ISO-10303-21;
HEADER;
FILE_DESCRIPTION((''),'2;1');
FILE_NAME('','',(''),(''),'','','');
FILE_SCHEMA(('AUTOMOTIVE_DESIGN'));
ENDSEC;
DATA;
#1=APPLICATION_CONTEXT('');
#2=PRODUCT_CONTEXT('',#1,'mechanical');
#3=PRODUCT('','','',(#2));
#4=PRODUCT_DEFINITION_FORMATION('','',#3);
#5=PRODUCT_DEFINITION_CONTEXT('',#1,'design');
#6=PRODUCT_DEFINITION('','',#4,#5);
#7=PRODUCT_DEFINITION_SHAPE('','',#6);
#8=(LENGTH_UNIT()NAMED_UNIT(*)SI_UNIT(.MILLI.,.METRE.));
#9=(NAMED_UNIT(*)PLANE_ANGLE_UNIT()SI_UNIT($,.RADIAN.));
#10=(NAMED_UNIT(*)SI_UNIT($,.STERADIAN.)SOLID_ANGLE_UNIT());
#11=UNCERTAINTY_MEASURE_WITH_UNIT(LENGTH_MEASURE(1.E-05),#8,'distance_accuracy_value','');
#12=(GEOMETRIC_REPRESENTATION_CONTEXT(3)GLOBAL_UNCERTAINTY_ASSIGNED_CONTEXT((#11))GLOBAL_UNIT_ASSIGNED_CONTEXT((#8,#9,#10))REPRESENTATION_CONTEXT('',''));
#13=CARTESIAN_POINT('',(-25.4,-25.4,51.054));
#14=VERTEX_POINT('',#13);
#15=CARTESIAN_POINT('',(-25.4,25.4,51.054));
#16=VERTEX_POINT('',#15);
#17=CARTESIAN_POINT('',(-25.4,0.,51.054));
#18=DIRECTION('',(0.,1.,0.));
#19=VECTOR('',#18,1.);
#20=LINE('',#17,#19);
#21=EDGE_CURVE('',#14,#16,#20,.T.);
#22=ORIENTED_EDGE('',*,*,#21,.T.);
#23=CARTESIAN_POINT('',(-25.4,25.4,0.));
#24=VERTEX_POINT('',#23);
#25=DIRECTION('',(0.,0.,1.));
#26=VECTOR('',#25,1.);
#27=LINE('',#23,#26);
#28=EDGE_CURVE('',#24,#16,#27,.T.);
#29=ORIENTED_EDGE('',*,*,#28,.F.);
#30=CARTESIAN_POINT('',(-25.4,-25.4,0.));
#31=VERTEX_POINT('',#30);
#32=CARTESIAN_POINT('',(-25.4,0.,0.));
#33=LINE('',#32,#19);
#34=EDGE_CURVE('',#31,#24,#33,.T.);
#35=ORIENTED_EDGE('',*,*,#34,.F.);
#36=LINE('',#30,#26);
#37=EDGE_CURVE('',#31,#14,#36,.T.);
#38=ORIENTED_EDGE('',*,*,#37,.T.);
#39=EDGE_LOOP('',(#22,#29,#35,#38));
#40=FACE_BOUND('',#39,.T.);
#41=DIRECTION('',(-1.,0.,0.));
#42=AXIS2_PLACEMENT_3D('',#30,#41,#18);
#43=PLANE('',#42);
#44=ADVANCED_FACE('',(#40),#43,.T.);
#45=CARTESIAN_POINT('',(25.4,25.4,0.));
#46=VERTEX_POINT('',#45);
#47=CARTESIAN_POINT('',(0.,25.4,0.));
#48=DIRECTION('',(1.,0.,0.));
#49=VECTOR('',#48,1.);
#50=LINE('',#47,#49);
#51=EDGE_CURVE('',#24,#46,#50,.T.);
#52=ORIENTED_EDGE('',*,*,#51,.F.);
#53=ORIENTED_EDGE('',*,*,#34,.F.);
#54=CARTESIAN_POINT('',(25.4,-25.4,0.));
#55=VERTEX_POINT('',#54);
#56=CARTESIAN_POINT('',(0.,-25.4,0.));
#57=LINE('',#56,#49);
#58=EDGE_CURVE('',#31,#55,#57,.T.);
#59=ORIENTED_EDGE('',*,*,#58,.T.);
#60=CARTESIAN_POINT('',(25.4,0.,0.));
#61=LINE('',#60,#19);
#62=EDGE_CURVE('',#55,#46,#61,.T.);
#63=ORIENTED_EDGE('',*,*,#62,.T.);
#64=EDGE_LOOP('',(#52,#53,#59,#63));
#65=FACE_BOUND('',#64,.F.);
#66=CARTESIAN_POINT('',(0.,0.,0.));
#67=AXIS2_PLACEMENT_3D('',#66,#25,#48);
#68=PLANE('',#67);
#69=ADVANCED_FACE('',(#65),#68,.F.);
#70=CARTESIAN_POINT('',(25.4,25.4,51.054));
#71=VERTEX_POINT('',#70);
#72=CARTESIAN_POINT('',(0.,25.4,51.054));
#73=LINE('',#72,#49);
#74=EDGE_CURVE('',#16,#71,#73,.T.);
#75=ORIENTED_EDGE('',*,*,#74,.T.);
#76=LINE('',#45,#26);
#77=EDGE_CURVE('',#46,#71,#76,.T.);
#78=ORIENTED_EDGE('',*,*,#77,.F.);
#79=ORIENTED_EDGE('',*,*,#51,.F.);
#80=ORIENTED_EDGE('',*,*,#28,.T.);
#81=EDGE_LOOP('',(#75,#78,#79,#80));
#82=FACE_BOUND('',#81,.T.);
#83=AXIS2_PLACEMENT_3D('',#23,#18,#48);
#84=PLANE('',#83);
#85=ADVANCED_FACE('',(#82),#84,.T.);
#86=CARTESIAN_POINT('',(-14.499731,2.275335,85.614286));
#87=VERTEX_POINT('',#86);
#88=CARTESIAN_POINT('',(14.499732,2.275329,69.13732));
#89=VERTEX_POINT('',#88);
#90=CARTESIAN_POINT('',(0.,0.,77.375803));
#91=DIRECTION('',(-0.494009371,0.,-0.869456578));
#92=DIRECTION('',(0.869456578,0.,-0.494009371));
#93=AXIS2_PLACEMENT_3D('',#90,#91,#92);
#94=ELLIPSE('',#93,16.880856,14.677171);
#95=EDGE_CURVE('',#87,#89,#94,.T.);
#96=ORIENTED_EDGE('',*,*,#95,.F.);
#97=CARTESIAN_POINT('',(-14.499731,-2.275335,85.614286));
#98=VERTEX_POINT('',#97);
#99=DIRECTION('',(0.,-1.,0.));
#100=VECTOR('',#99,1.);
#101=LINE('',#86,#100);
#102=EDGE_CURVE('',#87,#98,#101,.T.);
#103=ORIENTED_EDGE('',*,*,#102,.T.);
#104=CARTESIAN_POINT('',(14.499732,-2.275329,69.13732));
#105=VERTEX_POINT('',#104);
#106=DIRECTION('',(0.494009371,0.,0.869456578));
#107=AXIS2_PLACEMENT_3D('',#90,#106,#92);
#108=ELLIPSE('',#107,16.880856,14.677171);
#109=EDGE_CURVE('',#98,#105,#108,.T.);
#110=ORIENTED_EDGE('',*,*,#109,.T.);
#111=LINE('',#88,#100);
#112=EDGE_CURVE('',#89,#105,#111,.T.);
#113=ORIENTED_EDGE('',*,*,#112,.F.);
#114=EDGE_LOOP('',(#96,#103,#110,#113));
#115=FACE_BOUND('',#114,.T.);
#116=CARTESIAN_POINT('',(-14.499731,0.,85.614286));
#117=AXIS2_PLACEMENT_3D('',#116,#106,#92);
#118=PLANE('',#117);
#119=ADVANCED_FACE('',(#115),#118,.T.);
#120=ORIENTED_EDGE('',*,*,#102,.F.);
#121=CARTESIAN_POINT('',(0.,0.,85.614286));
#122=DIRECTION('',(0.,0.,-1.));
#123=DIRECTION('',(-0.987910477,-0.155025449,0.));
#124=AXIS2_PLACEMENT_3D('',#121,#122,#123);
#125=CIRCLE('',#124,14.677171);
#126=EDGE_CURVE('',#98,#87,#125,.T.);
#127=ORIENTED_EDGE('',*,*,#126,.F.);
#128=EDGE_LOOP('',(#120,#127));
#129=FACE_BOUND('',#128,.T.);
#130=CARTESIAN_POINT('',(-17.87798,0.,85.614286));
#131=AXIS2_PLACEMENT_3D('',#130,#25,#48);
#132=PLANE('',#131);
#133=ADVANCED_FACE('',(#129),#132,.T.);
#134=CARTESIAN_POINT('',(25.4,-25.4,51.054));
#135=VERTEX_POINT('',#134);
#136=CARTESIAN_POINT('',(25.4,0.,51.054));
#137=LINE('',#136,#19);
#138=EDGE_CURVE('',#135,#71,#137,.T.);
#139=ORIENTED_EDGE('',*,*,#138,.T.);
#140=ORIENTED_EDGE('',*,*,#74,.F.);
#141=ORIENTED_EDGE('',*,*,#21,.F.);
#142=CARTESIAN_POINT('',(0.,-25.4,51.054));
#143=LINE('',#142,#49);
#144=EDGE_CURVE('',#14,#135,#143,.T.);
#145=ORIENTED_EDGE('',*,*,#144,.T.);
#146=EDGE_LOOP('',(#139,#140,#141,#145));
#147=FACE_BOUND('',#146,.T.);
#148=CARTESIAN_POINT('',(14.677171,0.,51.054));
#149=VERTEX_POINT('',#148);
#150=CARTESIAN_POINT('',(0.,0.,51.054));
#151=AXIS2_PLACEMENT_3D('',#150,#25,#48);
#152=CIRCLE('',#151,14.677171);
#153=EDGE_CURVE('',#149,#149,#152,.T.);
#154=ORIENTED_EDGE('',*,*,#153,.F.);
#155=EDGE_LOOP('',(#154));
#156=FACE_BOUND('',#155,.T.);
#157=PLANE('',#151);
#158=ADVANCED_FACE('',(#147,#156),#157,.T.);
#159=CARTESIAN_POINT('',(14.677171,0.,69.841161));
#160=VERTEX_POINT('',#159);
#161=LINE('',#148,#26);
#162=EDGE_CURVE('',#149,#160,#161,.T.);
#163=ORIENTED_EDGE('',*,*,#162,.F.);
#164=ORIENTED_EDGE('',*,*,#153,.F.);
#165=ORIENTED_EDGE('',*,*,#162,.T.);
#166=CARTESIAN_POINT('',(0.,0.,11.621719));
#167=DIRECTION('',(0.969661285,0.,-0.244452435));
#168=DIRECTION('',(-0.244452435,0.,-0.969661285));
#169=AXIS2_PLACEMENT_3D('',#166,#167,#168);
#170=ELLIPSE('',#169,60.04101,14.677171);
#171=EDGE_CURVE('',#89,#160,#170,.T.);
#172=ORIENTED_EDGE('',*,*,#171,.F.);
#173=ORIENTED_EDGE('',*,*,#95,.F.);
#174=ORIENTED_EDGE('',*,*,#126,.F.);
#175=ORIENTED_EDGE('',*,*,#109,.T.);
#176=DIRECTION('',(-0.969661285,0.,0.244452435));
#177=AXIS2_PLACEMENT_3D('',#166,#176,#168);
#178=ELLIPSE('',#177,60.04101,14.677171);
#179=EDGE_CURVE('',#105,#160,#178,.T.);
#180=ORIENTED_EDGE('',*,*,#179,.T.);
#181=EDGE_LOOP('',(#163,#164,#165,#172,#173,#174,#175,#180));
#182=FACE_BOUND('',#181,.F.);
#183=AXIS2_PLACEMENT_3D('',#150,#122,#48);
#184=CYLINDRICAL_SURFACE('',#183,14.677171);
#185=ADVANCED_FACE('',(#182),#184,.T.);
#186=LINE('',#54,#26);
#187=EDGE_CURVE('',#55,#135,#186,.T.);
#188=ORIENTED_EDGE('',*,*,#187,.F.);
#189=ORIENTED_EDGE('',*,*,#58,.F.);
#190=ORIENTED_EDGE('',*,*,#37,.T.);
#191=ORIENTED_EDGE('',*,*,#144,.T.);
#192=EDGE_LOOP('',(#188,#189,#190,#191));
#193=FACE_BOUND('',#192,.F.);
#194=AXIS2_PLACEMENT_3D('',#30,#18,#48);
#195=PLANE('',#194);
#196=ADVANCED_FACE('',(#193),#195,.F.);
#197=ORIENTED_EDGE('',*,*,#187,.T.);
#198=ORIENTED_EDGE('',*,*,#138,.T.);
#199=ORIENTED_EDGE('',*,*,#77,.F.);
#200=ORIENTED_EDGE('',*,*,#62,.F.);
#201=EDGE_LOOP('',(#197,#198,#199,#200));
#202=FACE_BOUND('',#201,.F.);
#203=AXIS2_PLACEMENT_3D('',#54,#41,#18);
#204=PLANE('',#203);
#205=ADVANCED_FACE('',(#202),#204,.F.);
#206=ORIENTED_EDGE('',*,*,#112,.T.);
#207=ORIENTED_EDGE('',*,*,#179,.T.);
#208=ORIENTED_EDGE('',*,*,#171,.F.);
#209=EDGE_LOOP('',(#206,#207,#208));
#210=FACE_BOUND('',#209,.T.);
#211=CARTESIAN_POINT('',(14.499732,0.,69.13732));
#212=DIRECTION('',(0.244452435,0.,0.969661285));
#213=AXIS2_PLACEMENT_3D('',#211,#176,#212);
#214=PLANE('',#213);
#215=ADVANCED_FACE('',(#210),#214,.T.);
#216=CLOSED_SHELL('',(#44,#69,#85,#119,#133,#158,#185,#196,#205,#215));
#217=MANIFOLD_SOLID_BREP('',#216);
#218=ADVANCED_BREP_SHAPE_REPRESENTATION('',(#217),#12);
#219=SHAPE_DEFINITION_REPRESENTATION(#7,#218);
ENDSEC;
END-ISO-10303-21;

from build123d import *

# Parameters (mm, degrees)
F0_W     = 50.8
F0_H     = 50.8
F1_DEPTH = 51.054
F2_R     = 14.677171
F3_DEPTH = 43.688
F5_DEPTH = 25.4
F6_DEPTH = 25.4


with BuildPart() as f1:
    # F0 (on Top) → F1 (new body)
    with BuildSketch(Plane.XY):
        Rectangle(F0_W, F0_H)
    extrude(amount=F1_DEPTH)

    # F2 (on face) → F3 (join)
    with BuildSketch(Plane.XY.offset(51.054)):
        Circle(F2_R)
    extrude(amount=F3_DEPTH)

    # F4 (on Front) → F5 (cut)
    with BuildSketch(Plane.XZ):
        Polygon((-17.87798, 85.614286), (-14.499731, 85.614286), (14.499732, 69.13732), (21.090519, 95.280774), (-17.35574, 97.038314), align=None)
    extrude(amount=F5_DEPTH, mode=Mode.SUBTRACT)

    # F4 (on Front) → F6 (cut)
    with BuildSketch(Plane.XZ):
        Polygon((-17.87798, 85.614286), (-14.499731, 85.614286), (14.499732, 69.13732), (21.090519, 95.280774), (-17.35574, 97.038314), align=None)
    extrude(amount=-F6_DEPTH, mode=Mode.SUBTRACT)


solid = f1.part
